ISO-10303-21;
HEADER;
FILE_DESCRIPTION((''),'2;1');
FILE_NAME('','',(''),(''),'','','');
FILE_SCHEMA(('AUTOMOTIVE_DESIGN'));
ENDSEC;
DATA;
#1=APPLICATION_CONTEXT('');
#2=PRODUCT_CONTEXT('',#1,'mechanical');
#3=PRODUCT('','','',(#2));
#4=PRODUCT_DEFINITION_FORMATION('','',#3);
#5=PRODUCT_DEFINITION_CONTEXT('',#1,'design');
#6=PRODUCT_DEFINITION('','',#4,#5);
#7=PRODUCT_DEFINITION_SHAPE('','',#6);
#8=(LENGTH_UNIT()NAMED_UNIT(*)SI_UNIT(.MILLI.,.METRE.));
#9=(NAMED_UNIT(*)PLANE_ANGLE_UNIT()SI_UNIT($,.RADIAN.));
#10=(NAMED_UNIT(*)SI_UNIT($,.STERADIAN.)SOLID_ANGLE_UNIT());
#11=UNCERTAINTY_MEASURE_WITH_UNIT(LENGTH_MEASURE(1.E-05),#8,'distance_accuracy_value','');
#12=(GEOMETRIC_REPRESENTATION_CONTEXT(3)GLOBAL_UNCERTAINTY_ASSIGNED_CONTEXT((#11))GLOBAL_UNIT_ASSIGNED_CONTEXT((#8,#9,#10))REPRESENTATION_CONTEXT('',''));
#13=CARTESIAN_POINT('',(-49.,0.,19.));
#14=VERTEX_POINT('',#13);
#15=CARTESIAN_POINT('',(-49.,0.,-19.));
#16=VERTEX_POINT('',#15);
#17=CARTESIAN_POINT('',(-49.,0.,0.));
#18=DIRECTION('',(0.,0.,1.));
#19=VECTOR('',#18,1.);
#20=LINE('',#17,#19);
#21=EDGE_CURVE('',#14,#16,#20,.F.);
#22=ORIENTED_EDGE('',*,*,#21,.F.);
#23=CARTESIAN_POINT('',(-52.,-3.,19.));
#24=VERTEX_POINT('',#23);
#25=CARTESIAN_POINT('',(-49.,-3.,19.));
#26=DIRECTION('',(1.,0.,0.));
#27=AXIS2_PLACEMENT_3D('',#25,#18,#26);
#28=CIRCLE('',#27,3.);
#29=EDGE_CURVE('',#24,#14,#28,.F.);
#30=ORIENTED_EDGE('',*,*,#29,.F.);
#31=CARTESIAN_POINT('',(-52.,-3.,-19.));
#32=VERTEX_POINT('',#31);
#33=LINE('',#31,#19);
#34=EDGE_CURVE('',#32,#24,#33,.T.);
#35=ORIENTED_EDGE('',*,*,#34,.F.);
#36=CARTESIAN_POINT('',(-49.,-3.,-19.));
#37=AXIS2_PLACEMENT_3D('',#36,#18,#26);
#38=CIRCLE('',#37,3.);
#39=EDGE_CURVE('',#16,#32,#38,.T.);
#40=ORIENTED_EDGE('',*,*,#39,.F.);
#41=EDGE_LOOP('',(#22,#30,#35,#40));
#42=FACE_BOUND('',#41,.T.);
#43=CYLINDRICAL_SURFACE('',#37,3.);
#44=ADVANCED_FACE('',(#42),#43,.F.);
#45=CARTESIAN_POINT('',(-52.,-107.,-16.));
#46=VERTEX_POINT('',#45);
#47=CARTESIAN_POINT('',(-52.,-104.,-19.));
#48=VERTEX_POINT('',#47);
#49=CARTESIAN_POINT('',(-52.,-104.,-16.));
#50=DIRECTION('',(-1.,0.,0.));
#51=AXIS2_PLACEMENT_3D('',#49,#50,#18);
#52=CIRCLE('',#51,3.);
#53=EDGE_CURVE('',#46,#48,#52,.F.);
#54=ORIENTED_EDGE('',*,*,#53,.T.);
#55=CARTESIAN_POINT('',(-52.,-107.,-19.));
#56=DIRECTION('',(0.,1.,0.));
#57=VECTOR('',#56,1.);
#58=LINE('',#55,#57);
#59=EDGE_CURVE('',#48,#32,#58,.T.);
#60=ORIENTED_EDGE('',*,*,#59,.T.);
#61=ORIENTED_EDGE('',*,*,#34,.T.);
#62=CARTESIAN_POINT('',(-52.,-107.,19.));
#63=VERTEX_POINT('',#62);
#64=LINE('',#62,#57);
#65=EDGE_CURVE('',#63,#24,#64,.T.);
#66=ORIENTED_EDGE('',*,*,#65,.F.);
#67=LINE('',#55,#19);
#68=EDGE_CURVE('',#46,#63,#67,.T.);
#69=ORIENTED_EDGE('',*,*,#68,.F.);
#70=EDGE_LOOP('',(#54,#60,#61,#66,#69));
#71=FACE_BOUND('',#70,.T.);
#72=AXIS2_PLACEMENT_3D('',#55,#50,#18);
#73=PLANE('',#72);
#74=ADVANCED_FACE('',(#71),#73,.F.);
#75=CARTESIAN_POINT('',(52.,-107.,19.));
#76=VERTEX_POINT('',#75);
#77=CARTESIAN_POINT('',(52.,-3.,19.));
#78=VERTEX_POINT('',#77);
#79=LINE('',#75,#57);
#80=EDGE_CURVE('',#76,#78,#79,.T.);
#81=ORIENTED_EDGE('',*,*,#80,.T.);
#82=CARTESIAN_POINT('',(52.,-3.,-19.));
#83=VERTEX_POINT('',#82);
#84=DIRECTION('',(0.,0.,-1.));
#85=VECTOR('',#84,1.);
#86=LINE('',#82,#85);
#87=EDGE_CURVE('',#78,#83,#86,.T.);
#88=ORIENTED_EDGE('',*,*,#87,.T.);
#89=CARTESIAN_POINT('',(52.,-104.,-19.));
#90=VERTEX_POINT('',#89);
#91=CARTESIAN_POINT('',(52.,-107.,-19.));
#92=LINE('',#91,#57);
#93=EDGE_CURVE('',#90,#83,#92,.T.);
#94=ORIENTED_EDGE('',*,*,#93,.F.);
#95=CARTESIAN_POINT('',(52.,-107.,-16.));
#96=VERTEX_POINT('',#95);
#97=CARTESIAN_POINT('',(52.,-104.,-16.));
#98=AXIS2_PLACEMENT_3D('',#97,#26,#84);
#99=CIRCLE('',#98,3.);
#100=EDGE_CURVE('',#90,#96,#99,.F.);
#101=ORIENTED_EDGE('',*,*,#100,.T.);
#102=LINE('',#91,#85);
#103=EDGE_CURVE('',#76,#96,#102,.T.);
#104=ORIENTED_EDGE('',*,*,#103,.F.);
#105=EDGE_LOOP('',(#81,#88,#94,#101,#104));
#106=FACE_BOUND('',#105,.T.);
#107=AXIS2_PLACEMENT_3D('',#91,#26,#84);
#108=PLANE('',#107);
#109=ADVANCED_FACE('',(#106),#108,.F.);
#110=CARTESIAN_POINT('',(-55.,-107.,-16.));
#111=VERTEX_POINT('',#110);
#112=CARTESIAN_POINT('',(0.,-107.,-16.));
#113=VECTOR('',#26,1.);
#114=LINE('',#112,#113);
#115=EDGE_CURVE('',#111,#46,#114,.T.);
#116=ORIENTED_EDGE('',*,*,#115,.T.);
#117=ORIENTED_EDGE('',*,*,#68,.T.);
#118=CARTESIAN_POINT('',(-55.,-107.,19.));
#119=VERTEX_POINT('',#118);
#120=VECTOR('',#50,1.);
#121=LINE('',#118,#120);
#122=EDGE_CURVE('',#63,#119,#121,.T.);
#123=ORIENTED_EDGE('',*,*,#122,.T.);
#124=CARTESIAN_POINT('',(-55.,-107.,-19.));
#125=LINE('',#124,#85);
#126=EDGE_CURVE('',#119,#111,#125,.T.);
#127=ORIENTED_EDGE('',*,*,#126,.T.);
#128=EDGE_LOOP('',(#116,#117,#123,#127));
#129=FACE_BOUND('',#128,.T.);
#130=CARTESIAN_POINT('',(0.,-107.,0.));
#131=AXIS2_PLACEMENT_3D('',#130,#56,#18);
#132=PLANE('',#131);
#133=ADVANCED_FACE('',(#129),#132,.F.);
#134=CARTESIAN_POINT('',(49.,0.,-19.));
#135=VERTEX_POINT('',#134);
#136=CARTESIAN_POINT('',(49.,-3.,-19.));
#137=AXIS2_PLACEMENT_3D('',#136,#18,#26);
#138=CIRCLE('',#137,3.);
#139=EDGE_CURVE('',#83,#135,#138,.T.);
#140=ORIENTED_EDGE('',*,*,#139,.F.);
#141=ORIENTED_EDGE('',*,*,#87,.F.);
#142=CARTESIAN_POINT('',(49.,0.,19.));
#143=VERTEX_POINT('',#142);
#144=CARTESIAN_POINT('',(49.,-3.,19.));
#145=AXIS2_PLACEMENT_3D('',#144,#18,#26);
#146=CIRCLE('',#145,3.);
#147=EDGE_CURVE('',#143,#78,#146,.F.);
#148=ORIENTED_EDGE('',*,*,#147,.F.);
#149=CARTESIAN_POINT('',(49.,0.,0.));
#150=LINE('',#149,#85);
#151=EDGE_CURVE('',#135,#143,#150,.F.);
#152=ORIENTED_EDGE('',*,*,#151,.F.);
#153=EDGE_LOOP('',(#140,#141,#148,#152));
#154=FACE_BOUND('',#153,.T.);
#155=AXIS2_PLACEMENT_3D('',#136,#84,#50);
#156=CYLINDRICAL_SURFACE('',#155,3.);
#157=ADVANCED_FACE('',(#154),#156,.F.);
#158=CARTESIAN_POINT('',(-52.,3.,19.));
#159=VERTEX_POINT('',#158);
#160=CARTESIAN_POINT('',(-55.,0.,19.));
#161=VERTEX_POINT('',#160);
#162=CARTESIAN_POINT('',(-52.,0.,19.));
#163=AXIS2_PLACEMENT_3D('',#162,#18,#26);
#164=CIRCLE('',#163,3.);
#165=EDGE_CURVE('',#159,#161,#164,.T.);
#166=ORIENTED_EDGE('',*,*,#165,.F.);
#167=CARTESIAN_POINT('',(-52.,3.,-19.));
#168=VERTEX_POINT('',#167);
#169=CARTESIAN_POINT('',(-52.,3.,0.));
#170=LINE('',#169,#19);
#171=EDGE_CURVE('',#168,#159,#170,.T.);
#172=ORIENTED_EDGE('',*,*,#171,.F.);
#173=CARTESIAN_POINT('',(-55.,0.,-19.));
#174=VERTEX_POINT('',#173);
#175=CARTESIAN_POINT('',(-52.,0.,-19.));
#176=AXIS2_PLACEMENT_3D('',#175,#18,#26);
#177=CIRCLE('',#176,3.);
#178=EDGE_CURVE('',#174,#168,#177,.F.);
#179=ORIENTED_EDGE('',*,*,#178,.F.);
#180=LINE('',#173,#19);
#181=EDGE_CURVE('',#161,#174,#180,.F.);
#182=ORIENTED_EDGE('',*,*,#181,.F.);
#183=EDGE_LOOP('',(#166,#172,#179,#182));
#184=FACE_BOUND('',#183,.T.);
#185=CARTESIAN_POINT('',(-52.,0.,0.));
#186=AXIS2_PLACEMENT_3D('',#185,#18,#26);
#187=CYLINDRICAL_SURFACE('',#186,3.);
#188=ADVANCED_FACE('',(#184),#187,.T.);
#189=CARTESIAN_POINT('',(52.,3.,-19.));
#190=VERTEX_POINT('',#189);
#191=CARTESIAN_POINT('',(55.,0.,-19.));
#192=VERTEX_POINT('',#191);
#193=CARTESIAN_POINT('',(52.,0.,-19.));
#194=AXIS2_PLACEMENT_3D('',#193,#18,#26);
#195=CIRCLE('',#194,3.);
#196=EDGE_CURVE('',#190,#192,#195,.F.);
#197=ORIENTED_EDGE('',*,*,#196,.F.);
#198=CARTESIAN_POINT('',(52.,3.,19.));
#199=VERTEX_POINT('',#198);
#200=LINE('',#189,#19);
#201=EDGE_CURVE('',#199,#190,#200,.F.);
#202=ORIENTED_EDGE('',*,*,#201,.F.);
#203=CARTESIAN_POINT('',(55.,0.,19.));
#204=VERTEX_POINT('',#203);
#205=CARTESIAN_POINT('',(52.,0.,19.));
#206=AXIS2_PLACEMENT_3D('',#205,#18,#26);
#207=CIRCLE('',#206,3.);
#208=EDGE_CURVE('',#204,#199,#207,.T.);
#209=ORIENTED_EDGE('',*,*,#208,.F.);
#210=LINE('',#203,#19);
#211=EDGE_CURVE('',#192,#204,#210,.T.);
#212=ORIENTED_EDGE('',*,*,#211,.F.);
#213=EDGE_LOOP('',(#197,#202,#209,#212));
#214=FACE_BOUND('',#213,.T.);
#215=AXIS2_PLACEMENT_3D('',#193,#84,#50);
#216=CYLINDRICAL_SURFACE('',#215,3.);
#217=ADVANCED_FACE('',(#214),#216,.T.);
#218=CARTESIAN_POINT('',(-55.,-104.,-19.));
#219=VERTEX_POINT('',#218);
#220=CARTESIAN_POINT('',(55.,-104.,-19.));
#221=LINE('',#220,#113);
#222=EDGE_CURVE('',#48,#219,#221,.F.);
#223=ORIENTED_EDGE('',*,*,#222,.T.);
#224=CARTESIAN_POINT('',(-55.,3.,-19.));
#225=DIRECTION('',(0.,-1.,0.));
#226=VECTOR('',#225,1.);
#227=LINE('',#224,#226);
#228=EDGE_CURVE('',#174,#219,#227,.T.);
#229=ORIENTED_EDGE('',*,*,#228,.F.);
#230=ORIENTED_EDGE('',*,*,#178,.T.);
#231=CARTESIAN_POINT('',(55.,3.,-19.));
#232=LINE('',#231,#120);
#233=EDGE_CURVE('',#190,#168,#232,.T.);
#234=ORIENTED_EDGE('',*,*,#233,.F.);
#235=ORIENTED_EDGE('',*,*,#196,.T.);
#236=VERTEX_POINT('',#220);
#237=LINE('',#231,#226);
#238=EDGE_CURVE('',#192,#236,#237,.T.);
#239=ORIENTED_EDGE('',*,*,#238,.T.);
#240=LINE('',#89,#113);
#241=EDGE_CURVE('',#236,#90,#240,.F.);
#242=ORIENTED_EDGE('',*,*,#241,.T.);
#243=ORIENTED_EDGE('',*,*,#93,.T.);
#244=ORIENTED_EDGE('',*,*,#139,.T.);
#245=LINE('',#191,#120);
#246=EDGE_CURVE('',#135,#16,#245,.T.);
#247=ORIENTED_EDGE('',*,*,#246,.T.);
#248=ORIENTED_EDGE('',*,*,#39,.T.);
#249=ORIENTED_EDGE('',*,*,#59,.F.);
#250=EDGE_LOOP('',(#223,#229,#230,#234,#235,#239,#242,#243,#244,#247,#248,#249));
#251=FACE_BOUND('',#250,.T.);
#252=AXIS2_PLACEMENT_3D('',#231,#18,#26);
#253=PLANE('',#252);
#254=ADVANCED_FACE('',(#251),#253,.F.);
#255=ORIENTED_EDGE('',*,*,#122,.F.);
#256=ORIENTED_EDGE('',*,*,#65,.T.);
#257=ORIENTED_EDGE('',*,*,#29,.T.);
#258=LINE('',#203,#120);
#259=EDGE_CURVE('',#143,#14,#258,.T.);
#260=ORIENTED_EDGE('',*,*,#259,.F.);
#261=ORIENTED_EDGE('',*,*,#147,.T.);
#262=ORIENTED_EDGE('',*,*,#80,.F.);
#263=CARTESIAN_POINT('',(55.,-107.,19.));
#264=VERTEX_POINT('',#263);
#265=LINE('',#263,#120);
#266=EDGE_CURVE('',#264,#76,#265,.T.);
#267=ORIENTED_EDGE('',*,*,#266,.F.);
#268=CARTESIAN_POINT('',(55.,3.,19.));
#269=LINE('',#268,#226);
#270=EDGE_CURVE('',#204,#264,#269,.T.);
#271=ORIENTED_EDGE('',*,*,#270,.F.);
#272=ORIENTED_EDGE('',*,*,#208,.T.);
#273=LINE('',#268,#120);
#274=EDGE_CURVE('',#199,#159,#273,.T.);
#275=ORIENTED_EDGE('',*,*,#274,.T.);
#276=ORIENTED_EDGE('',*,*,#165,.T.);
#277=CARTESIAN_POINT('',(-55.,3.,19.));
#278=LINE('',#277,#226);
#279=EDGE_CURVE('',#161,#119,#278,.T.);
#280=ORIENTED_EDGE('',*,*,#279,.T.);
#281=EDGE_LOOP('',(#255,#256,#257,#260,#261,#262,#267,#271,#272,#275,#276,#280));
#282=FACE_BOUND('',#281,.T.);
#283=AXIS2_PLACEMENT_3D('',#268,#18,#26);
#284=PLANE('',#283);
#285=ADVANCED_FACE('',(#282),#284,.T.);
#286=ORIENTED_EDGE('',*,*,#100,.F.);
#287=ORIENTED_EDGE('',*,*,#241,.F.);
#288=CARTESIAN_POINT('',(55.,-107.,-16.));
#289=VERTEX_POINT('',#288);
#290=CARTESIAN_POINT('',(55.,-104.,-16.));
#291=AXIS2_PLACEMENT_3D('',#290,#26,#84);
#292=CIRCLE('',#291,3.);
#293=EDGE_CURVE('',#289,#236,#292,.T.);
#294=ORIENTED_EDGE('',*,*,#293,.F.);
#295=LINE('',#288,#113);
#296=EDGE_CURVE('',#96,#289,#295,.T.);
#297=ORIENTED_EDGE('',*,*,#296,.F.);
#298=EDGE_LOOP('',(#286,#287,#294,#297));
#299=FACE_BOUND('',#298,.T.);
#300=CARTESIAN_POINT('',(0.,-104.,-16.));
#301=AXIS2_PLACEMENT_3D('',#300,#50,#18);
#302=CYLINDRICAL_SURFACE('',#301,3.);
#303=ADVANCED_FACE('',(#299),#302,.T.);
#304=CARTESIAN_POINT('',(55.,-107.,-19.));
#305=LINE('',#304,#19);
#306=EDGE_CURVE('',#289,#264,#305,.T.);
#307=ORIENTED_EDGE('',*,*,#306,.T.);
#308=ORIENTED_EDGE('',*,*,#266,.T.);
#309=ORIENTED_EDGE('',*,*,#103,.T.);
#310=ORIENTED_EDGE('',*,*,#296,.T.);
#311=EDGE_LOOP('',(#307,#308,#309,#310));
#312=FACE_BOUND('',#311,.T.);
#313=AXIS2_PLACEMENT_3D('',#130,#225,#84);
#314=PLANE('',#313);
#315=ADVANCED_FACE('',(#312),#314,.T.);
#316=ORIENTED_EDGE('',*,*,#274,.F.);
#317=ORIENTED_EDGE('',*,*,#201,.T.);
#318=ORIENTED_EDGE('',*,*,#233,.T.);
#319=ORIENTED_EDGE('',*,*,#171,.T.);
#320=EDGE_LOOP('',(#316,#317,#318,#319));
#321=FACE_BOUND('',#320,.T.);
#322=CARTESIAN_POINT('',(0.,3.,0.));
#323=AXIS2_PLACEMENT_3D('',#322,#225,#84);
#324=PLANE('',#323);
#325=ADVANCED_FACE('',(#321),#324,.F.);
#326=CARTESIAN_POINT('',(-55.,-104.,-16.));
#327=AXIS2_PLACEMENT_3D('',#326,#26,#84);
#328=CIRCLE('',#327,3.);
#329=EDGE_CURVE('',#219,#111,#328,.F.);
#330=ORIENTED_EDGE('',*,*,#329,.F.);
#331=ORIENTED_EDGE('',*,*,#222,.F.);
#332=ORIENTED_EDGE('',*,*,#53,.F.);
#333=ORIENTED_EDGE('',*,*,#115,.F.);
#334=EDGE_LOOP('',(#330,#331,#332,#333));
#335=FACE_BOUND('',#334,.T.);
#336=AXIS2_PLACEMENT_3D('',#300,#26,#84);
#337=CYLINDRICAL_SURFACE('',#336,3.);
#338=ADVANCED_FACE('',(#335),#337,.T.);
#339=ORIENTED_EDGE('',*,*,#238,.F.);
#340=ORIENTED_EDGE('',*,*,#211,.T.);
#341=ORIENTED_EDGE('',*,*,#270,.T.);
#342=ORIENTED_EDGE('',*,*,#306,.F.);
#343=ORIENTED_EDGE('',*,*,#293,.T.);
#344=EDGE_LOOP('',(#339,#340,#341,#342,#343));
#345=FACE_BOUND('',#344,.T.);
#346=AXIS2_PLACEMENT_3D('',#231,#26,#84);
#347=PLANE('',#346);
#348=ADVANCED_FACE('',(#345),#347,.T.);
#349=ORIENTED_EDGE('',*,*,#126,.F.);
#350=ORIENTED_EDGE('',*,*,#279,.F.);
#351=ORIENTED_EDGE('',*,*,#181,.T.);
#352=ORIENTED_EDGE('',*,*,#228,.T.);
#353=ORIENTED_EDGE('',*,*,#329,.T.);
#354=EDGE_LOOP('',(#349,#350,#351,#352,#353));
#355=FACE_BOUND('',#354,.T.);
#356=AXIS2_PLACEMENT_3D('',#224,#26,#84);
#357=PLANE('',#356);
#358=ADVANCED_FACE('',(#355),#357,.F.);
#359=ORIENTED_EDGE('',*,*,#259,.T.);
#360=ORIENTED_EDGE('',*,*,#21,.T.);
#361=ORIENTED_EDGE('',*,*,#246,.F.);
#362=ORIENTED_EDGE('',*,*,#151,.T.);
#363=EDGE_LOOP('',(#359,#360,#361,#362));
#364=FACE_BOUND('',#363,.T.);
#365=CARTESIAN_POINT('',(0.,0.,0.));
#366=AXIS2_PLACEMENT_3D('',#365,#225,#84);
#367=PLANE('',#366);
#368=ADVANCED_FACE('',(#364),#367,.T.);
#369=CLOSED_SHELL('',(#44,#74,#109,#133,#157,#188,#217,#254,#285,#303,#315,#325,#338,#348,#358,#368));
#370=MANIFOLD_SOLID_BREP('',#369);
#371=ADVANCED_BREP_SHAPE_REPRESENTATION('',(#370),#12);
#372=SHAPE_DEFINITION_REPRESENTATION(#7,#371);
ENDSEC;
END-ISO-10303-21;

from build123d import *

# Parameters (mm, degrees)
SKETCH_1_W      = 3
SKETCH_1_H      = 38
SKETCH_1_W_2    = 104
EXTRUDE_1_DEPTH = 3
SKETCH_4_W      = 3
SKETCH_4_H      = 38
EXTRUDE_3_DEPTH = 107
FILLET_1_R      = 3
FILLET_2_R      = 3
FILLET_3_R      = 3
FILLET_5_R      = 3


with BuildPart() as part:
    # 草图1 → 凸台-拉伸1 (new body)
    with BuildSketch(Plane(origin=(0, 0, 0), x_dir=(1, 0, 0), z_dir=(0, 1, 0))):
        with Locations((-53.5, 0)):
            Rectangle(SKETCH_1_W, SKETCH_1_H)
        Rectangle(SKETCH_1_W_2, SKETCH_1_H)
        with Locations((53.5, 0)):
            Rectangle(SKETCH_1_W, SKETCH_1_H)
    extrude(amount=EXTRUDE_1_DEPTH)

    # 草图4 → 凸台-拉伸3 (add)
    with BuildSketch(Plane.XZ):
        with Locations((53.5, 0)):
            Rectangle(SKETCH_4_W, SKETCH_4_H)
        with Locations((-53.5, 0)):
            Rectangle(SKETCH_4_W, SKETCH_4_H)
    extrude(amount=EXTRUDE_3_DEPTH)

    # 圆角1
    fillet_1_edges = [part.edges().sort_by_distance(p)[0] for p in [
        (-55, 3, 0),
        (55, 3, 0),
    ]]
    fillet(fillet_1_edges, radius=FILLET_1_R)

    # 圆角2
    fillet_2_edges = [part.edges().sort_by_distance(p)[0] for p in [
        (52, 0, 0),
    ]]
    fillet(fillet_2_edges, radius=FILLET_2_R)

    # 圆角3
    fillet_3_edges = [part.edges().sort_by_distance(p)[0] for p in [
        (-52, 0, 0),
    ]]
    fillet(fillet_3_edges, radius=FILLET_3_R)

    # 圆角5
    fillet_5_edges = [part.edges().sort_by_distance(p)[0] for p in [
        (53.5, -107, -19),
        (-53.5, -107, -19),
    ]]
    fillet(fillet_5_edges, radius=FILLET_5_R)


solid = part.part
